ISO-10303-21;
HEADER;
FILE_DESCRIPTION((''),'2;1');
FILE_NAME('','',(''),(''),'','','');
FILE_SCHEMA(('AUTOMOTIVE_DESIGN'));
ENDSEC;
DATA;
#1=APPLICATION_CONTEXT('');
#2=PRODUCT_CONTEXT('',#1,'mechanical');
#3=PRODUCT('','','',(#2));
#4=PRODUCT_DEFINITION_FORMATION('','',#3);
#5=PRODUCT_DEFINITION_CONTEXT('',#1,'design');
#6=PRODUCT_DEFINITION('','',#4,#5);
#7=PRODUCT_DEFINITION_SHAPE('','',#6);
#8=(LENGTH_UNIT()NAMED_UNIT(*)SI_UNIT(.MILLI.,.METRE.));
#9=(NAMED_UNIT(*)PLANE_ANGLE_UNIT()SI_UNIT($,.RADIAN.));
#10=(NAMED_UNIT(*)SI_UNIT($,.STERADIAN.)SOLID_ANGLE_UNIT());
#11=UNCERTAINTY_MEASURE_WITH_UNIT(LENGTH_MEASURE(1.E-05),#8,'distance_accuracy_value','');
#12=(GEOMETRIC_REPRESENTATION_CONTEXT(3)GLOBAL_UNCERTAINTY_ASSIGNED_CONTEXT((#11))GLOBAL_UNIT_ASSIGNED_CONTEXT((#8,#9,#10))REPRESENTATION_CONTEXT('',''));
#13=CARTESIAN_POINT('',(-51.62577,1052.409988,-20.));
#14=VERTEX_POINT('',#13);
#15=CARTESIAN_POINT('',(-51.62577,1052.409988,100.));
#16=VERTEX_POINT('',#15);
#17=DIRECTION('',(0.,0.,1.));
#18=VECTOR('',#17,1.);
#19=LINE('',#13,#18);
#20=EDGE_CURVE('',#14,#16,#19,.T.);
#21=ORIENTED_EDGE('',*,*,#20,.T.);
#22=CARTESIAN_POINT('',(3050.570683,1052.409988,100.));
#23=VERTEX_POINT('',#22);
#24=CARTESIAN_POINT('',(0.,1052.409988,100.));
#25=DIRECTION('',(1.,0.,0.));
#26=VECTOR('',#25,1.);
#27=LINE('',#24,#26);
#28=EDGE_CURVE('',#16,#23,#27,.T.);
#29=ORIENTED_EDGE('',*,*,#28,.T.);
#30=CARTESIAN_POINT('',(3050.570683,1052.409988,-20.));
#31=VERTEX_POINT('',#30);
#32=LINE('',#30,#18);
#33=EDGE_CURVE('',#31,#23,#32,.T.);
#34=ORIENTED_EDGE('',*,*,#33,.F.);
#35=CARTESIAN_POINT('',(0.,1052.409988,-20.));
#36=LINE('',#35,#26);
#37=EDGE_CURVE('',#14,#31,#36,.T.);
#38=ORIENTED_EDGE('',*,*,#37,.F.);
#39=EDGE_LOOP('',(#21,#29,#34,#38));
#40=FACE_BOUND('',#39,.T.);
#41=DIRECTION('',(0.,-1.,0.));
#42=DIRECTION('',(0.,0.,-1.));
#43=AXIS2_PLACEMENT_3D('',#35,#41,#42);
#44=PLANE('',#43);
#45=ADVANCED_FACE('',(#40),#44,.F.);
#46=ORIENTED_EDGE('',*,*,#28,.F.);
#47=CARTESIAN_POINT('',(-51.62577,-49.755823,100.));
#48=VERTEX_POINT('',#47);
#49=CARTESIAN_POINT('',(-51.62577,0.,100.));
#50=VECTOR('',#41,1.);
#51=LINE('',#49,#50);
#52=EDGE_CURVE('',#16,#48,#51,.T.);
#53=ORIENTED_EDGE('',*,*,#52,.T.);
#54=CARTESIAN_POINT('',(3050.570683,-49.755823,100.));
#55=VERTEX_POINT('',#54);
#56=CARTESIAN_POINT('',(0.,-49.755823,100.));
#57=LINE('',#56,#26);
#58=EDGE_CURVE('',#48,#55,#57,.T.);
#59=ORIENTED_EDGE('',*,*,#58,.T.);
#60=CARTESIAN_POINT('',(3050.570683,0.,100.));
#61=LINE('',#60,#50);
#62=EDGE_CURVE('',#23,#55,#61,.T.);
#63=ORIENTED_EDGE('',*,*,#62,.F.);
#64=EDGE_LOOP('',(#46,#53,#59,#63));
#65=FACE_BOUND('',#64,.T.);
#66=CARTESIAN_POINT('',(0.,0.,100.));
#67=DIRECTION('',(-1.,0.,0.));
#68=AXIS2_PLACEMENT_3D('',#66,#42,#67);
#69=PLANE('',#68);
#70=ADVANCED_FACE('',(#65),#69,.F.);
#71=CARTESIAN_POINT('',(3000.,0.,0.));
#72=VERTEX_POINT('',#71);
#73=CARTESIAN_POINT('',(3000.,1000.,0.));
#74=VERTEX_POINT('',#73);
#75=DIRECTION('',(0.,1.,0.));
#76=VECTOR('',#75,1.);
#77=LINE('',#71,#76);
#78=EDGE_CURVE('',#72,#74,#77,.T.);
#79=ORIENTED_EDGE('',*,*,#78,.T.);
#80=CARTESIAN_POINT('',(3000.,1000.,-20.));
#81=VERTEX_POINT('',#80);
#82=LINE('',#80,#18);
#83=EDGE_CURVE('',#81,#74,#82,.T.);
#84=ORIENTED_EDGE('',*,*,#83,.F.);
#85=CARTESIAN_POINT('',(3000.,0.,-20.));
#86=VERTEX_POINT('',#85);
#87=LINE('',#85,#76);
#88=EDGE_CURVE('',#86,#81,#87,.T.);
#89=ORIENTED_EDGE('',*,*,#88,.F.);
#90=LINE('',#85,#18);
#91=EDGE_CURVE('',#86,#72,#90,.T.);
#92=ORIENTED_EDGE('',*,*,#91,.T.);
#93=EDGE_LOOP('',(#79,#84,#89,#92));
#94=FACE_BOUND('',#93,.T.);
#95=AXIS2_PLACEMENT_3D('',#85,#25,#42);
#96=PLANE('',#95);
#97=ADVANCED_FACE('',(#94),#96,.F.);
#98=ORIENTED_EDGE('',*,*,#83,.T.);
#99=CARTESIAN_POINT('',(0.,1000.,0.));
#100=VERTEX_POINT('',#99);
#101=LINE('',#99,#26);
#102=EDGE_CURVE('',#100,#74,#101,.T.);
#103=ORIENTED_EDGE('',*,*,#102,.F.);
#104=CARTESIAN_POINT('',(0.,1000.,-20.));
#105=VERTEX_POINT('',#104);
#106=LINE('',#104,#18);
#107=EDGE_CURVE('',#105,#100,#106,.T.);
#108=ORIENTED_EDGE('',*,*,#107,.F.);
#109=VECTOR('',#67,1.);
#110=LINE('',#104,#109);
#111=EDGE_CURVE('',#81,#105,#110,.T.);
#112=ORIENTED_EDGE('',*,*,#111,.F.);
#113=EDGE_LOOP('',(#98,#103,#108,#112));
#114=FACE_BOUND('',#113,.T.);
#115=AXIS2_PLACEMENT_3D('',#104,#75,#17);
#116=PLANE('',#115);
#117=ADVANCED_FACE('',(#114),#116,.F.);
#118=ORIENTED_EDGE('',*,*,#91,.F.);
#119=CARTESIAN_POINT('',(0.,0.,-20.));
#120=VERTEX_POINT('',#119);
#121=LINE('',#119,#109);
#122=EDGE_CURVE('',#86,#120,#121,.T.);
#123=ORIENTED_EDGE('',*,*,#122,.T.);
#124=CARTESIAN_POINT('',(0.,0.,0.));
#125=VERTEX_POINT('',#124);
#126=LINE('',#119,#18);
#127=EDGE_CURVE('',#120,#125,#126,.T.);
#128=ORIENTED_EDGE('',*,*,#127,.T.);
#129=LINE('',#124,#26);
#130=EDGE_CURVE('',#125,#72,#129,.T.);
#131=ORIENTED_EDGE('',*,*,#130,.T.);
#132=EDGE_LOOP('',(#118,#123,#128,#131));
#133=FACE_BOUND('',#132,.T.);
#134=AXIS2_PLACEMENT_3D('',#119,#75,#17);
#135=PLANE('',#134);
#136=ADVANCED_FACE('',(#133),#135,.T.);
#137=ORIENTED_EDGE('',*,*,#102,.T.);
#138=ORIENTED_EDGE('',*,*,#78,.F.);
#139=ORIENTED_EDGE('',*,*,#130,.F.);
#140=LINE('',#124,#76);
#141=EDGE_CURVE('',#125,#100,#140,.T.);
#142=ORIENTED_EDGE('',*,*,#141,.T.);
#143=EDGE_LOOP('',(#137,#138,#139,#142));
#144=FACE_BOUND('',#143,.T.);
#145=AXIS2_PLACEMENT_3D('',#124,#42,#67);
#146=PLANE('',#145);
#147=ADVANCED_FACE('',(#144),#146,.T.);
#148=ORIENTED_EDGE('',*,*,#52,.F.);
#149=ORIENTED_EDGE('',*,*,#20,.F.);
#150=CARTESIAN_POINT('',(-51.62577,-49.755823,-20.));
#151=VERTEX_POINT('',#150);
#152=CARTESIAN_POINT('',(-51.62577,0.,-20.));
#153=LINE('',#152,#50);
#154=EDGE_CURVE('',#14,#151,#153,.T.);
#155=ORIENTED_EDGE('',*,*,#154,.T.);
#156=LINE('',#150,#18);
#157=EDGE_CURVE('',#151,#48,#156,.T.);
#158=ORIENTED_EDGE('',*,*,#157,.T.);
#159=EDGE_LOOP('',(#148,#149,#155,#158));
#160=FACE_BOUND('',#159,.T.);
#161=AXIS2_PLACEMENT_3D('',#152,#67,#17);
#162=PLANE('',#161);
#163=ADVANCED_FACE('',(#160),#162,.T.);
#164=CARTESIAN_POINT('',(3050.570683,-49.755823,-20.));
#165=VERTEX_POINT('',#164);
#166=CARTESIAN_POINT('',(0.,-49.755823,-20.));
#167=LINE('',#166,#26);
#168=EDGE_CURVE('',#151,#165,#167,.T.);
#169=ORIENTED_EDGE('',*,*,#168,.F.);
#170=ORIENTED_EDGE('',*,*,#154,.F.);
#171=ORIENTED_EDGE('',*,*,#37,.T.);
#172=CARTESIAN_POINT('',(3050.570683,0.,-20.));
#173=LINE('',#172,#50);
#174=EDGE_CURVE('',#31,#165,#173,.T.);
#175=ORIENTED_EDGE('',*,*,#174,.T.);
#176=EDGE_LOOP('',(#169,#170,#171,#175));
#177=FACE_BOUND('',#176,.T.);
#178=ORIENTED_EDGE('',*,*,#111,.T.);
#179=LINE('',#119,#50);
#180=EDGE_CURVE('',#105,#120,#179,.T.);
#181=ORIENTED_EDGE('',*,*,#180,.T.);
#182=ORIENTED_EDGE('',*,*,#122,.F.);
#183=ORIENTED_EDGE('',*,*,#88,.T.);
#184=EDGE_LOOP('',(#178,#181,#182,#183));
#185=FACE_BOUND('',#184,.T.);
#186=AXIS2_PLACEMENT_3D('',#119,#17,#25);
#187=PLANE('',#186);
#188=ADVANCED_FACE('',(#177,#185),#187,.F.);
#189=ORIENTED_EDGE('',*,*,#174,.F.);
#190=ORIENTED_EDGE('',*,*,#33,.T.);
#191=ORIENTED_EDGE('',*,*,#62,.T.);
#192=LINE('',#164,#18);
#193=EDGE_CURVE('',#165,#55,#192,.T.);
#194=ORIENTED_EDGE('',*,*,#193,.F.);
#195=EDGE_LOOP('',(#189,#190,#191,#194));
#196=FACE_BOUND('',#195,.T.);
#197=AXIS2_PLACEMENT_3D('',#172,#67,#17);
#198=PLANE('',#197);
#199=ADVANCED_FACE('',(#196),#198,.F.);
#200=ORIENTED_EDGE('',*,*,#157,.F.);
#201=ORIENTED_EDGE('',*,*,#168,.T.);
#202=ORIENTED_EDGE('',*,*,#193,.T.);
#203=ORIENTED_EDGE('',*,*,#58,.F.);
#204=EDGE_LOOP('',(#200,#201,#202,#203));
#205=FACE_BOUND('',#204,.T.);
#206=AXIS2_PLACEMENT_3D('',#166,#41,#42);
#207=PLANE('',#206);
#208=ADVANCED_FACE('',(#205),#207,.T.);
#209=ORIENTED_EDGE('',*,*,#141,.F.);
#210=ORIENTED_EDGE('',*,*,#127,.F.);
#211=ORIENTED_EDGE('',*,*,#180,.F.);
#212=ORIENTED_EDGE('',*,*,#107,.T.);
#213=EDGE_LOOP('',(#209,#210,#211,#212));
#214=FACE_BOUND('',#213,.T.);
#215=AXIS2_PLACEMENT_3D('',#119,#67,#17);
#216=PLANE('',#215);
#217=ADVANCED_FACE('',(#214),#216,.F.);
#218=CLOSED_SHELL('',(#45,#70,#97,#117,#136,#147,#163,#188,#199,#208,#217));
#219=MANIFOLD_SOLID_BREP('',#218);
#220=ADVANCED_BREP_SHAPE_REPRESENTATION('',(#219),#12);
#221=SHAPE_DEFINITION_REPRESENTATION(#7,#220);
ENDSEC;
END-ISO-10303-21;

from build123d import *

# Parameters (mm, degrees)
SKETCH_1_W      = 3000
SKETCH_1_H      = 1000
EXTRUDE_2_DEPTH = 100
SKETCH_3_W      = 3102.196453332
SKETCH_3_H      = 1102.16581061
SKETCH_3_W_2    = 3000
SKETCH_3_H_2    = 1000
EXTRUDE_3_DEPTH = 120


with BuildPart() as part:
    # 草图1 → 凸台-拉伸2 (new body)
    with BuildSketch(Plane.XY):
        with Locations((1500, 500)):
            Rectangle(SKETCH_1_W, SKETCH_1_H)
    extrude(amount=EXTRUDE_2_DEPTH)

    # 草图3 → 凸台-拉伸3 (add)
    with BuildSketch(Plane.XY.offset(100)):
        with Locations((1499.472456501, 501.327082248)):
            Rectangle(SKETCH_3_W, SKETCH_3_H)
        with Locations((1500, 500)):
            Rectangle(SKETCH_3_W_2, SKETCH_3_H_2, mode=Mode.SUBTRACT)
    extrude(amount=-EXTRUDE_3_DEPTH)


solid = part.part
